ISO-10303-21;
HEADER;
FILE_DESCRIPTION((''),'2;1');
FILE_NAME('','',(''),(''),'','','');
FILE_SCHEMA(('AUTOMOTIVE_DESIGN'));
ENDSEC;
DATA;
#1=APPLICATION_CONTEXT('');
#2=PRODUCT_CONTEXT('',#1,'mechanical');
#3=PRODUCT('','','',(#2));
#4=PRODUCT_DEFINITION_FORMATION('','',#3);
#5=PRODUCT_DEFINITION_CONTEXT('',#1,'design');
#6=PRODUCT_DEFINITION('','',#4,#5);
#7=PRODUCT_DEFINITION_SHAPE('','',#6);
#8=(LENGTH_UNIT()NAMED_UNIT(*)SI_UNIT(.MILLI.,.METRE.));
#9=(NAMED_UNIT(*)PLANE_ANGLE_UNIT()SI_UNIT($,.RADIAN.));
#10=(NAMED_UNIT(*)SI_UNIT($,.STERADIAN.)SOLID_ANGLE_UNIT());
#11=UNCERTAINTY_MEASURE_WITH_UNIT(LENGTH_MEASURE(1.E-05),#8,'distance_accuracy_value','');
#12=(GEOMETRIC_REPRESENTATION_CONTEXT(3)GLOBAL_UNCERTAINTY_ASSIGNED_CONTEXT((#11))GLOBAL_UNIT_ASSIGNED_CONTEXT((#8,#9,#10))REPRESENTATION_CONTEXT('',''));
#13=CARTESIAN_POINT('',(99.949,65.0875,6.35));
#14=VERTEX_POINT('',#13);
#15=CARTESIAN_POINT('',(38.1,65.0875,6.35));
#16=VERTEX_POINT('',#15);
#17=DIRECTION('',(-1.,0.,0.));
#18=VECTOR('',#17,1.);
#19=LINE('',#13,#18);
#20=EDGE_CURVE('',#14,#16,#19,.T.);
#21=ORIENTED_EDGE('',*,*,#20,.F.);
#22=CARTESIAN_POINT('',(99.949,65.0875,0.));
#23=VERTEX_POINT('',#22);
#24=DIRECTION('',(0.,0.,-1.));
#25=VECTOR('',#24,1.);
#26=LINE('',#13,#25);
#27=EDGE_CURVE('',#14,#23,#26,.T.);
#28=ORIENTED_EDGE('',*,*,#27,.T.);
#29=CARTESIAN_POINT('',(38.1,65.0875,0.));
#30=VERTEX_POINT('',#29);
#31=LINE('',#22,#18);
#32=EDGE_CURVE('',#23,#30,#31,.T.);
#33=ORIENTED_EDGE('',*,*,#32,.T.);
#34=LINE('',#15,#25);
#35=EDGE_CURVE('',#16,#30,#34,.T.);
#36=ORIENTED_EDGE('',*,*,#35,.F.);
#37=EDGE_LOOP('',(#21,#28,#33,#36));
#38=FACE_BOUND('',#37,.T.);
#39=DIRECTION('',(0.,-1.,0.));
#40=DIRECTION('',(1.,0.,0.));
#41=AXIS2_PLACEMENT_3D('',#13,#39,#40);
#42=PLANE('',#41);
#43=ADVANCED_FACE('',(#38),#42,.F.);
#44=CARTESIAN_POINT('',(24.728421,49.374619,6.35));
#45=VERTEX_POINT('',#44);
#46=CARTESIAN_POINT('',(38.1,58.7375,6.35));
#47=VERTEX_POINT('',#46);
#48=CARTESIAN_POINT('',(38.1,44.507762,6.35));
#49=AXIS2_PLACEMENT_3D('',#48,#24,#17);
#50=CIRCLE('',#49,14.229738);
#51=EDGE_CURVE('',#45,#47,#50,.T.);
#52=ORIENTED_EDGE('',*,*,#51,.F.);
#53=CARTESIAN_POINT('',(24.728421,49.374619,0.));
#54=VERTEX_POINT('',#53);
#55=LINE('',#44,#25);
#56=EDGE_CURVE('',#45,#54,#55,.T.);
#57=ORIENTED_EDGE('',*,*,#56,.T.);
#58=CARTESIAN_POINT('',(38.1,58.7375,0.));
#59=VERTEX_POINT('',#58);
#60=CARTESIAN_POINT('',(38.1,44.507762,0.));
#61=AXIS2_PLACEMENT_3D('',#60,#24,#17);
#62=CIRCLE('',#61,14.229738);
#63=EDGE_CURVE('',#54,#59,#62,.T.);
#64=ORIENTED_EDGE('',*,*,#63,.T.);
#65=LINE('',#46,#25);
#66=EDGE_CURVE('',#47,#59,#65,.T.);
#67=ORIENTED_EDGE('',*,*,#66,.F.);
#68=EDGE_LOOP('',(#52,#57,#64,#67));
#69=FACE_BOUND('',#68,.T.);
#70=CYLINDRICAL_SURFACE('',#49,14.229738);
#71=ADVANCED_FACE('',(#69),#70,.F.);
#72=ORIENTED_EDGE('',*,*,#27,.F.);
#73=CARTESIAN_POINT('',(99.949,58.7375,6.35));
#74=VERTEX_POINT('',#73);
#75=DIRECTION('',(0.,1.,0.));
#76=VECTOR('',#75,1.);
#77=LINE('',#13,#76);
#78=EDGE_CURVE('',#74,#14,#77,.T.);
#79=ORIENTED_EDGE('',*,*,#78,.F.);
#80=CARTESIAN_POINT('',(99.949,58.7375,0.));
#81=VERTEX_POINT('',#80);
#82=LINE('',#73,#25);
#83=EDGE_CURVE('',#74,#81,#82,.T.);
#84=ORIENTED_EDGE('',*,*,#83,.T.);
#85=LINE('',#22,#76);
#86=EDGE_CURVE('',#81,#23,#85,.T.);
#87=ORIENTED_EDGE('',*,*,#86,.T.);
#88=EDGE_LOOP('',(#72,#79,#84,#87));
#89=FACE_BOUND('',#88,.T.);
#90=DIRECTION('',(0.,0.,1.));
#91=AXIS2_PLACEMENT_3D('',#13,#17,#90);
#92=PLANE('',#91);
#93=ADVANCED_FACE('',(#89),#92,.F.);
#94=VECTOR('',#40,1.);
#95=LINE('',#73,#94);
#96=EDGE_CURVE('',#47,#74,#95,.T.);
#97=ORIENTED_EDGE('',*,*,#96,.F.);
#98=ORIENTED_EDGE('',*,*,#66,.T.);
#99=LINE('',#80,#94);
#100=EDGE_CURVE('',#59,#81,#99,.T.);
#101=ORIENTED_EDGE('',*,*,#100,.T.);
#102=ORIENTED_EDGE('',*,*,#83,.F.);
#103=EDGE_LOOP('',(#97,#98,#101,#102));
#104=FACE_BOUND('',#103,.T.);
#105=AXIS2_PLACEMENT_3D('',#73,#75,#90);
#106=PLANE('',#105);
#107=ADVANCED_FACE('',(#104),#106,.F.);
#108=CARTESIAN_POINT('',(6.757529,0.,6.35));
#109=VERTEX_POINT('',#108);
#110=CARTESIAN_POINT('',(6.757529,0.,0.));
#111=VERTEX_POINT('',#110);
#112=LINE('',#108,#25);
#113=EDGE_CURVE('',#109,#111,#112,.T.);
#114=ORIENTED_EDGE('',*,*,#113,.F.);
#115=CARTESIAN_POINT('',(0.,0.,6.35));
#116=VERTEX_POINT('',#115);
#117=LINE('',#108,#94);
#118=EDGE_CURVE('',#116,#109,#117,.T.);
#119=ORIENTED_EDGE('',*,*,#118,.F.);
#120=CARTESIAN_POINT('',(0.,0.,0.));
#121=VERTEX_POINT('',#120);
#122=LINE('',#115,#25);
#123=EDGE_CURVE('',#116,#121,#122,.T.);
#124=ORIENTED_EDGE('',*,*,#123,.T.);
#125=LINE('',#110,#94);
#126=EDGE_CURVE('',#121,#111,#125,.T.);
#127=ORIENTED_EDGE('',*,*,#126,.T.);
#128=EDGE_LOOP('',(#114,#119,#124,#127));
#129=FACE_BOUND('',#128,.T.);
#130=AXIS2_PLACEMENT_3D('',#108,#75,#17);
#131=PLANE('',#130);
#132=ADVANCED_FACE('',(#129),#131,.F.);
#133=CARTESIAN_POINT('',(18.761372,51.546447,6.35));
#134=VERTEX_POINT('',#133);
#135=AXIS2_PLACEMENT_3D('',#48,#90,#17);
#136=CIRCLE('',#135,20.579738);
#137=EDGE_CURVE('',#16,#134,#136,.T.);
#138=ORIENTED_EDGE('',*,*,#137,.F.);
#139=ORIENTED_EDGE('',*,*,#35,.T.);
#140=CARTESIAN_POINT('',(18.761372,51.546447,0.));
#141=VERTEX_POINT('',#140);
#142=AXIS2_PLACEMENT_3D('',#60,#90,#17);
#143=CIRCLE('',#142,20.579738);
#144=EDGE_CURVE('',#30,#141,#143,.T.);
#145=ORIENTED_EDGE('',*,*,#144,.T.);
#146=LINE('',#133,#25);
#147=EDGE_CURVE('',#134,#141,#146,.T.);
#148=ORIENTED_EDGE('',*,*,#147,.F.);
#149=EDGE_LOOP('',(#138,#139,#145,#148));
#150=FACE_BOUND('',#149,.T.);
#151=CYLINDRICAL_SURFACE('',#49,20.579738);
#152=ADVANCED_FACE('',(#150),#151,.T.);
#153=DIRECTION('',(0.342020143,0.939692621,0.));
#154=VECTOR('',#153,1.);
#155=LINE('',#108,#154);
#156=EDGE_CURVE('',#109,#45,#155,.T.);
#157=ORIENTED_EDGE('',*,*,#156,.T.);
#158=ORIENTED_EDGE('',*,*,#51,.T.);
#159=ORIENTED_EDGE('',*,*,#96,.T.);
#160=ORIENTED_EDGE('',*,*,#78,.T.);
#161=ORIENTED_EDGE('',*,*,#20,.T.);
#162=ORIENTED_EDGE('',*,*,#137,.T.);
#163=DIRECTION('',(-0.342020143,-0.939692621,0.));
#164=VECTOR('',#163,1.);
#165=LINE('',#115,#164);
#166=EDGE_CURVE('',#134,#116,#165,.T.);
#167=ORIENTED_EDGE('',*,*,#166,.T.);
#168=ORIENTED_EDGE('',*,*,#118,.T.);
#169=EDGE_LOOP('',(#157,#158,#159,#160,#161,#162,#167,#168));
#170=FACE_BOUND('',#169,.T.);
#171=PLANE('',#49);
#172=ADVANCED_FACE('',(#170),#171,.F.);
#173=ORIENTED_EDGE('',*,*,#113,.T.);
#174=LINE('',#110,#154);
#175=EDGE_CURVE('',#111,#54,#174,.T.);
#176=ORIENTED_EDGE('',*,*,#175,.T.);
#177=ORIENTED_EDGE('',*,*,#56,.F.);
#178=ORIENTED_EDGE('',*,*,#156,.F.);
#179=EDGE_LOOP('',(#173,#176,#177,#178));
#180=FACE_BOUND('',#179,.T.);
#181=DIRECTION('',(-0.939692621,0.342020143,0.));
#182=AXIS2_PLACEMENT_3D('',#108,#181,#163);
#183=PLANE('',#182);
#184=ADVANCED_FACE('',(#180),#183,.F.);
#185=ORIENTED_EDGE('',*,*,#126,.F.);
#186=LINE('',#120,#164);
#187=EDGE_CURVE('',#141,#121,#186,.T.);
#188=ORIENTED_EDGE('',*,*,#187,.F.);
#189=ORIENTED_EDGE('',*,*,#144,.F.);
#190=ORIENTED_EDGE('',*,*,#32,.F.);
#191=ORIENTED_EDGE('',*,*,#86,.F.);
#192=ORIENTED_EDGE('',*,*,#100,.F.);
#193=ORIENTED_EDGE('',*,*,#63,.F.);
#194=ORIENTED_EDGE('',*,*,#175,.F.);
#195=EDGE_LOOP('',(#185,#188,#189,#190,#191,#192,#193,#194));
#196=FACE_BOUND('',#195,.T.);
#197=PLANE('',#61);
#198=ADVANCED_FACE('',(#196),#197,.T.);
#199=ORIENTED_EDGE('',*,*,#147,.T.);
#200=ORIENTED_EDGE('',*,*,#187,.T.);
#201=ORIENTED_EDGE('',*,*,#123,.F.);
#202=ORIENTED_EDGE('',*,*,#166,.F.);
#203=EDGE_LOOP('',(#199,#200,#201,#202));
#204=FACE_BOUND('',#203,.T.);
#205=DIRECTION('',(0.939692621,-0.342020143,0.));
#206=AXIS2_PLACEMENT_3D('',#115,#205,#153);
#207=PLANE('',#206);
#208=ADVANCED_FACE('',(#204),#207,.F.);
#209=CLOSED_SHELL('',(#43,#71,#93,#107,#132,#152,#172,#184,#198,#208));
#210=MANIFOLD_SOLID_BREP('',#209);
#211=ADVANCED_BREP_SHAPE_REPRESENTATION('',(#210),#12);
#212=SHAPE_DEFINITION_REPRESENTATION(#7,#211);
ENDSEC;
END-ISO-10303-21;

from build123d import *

# Parameters (mm, degrees)
EXTRUDE1_DEPTH = 6.35


with BuildPart() as part:
    # Sketch1 → Extrude1 (new body)
    with BuildSketch(Plane.XY):
        with BuildLine():
            Line((99.949, 65.0875), (99.949, 58.7375))
            Line((99.949, 58.7375), (38.1, 58.7375))
            ThreePointArc((38.1, 58.7375), (29.938157837, 56.164081051), (24.728420615, 49.374619317))
            Line((24.728420615, 49.374619317), (6.757528855, 0))
            Line((6.757528855, 0), (0, 0))
            Line((0, 0), (18.761372473, 51.546447227))
            ThreePointArc((18.761372473, 51.546447227), (26.295947467, 61.365696532), (38.1, 65.0875))
            Line((38.1, 65.0875), (99.949, 65.0875))
        make_face()
    extrude(amount=EXTRUDE1_DEPTH)


solid = part.part
